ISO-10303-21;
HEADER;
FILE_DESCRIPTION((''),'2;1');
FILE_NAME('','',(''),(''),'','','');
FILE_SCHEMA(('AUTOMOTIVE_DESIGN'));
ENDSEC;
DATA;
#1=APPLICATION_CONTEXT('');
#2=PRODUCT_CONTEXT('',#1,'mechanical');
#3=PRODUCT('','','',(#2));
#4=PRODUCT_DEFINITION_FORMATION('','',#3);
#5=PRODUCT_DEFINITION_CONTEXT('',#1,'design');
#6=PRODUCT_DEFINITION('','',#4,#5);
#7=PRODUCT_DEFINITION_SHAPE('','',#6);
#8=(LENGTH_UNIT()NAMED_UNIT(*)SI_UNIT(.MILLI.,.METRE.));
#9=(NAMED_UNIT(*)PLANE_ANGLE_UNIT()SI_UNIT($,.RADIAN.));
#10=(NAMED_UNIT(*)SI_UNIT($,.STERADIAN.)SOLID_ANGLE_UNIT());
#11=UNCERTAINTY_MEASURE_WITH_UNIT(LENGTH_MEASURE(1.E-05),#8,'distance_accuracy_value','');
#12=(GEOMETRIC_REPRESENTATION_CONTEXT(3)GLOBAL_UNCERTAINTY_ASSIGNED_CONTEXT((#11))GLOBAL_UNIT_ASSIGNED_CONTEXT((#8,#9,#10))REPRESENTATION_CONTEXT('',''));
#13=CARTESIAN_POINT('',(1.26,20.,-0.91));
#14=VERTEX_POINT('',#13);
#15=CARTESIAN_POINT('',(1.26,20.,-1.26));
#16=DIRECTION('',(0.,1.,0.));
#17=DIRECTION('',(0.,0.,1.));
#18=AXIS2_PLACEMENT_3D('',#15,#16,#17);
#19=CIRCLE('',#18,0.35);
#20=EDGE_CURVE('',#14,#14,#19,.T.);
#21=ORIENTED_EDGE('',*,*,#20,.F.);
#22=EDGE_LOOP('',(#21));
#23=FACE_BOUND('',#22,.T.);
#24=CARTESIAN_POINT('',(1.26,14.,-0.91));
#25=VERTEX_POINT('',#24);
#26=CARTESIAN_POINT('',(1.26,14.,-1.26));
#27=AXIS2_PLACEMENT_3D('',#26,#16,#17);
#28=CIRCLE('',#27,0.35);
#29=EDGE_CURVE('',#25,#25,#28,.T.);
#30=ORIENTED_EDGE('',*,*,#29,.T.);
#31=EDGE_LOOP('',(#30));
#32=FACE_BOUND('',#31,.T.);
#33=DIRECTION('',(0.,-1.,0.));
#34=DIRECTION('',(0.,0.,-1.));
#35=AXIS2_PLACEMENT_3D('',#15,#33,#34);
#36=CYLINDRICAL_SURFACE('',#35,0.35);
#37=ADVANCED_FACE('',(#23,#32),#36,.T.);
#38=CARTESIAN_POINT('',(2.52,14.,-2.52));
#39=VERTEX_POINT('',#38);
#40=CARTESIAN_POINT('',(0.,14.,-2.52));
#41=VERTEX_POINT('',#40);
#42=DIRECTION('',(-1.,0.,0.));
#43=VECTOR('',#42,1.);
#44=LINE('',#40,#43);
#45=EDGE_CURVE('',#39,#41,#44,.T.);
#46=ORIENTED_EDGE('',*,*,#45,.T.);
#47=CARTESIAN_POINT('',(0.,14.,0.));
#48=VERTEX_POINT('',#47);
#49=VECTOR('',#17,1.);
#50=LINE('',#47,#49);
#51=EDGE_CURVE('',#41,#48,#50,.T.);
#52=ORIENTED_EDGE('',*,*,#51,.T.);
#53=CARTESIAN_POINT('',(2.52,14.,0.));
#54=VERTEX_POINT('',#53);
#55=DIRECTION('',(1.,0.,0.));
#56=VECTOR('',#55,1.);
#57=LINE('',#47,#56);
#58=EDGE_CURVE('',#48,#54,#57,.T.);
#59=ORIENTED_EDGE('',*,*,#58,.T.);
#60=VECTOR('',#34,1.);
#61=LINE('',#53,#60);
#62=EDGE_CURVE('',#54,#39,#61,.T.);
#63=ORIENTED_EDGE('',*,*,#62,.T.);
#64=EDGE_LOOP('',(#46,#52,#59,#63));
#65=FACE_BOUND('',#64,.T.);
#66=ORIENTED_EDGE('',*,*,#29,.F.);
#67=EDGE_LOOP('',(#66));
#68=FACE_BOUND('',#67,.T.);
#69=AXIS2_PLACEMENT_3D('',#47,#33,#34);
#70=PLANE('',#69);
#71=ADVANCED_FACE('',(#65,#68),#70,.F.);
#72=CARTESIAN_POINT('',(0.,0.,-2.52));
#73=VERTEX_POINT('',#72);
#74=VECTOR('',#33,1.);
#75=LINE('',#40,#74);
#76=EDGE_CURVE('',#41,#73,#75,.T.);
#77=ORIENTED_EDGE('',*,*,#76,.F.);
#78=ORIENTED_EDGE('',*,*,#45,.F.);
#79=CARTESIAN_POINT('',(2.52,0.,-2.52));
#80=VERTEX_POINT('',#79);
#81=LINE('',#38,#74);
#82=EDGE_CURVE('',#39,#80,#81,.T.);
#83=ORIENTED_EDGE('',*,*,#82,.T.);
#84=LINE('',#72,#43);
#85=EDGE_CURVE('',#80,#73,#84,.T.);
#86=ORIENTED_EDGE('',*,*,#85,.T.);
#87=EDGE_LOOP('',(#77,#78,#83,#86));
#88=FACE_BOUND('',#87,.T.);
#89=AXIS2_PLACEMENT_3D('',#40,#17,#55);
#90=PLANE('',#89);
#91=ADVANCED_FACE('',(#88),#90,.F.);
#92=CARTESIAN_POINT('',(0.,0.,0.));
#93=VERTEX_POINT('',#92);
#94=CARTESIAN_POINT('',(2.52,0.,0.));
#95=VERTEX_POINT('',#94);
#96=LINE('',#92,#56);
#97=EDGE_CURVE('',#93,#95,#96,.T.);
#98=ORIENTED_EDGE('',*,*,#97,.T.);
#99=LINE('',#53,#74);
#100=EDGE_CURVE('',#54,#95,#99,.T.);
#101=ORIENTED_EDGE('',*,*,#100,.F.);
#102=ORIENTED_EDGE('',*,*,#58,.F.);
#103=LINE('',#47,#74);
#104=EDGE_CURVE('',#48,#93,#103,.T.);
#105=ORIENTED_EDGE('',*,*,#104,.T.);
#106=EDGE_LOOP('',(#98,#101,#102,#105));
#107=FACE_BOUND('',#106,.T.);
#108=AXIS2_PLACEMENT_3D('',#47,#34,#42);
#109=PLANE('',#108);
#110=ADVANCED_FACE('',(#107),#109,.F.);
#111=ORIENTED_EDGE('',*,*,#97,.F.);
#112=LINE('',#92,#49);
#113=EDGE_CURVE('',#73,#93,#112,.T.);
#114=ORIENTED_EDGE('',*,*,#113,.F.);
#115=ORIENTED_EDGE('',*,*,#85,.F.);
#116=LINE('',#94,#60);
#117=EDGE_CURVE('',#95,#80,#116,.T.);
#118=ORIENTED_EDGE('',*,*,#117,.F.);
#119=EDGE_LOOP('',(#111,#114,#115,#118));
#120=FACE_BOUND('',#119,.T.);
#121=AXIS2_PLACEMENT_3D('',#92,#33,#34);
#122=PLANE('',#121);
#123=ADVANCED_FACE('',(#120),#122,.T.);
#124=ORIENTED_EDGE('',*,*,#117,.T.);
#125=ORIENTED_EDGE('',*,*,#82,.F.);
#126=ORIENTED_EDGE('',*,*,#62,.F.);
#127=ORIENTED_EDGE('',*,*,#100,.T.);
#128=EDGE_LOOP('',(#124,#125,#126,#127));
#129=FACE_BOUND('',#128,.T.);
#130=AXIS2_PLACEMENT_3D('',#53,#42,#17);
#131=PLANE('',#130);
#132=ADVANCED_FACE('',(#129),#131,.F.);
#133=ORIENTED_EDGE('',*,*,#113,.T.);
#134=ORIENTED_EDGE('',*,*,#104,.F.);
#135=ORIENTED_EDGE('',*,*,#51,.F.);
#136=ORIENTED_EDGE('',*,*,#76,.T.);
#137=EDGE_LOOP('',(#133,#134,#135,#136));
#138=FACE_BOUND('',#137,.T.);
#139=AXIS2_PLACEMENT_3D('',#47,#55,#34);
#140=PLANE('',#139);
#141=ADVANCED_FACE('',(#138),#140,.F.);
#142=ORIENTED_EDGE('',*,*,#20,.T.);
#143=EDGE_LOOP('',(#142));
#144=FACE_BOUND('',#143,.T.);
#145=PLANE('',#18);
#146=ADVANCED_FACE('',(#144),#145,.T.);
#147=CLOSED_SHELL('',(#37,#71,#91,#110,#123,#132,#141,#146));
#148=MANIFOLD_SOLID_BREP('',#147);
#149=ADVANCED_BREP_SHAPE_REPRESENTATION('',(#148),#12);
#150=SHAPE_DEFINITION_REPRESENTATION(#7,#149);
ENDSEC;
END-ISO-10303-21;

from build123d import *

# Parameters (mm, degrees)
SKETCH2_W           = 2.52
SKETCH2_H           = 2.52
BOSS_EXTRUDE1_DEPTH = 14
SKETCH3_R           = 0.35
BOSS_EXTRUDE2_DEPTH = 6


with BuildPart() as part:
    # Sketch2 → Boss-Extrude1 (new body)
    with BuildSketch(Plane(origin=(0, 0, 0), x_dir=(1, 0, 0), z_dir=(0, 1, 0))):
        with Locations((1.26, 1.26)):
            Rectangle(SKETCH2_W, SKETCH2_H)
    extrude(amount=BOSS_EXTRUDE1_DEPTH)

    # Sketch3 → Boss-Extrude2 (add)
    with BuildSketch(Plane(origin=(0, 14, 0), x_dir=(1, 0, 0), z_dir=(0, 1, 0))):
        with Locations((1.26, 1.26)):
            Circle(SKETCH3_R)
    extrude(amount=BOSS_EXTRUDE2_DEPTH)


solid = part.part
